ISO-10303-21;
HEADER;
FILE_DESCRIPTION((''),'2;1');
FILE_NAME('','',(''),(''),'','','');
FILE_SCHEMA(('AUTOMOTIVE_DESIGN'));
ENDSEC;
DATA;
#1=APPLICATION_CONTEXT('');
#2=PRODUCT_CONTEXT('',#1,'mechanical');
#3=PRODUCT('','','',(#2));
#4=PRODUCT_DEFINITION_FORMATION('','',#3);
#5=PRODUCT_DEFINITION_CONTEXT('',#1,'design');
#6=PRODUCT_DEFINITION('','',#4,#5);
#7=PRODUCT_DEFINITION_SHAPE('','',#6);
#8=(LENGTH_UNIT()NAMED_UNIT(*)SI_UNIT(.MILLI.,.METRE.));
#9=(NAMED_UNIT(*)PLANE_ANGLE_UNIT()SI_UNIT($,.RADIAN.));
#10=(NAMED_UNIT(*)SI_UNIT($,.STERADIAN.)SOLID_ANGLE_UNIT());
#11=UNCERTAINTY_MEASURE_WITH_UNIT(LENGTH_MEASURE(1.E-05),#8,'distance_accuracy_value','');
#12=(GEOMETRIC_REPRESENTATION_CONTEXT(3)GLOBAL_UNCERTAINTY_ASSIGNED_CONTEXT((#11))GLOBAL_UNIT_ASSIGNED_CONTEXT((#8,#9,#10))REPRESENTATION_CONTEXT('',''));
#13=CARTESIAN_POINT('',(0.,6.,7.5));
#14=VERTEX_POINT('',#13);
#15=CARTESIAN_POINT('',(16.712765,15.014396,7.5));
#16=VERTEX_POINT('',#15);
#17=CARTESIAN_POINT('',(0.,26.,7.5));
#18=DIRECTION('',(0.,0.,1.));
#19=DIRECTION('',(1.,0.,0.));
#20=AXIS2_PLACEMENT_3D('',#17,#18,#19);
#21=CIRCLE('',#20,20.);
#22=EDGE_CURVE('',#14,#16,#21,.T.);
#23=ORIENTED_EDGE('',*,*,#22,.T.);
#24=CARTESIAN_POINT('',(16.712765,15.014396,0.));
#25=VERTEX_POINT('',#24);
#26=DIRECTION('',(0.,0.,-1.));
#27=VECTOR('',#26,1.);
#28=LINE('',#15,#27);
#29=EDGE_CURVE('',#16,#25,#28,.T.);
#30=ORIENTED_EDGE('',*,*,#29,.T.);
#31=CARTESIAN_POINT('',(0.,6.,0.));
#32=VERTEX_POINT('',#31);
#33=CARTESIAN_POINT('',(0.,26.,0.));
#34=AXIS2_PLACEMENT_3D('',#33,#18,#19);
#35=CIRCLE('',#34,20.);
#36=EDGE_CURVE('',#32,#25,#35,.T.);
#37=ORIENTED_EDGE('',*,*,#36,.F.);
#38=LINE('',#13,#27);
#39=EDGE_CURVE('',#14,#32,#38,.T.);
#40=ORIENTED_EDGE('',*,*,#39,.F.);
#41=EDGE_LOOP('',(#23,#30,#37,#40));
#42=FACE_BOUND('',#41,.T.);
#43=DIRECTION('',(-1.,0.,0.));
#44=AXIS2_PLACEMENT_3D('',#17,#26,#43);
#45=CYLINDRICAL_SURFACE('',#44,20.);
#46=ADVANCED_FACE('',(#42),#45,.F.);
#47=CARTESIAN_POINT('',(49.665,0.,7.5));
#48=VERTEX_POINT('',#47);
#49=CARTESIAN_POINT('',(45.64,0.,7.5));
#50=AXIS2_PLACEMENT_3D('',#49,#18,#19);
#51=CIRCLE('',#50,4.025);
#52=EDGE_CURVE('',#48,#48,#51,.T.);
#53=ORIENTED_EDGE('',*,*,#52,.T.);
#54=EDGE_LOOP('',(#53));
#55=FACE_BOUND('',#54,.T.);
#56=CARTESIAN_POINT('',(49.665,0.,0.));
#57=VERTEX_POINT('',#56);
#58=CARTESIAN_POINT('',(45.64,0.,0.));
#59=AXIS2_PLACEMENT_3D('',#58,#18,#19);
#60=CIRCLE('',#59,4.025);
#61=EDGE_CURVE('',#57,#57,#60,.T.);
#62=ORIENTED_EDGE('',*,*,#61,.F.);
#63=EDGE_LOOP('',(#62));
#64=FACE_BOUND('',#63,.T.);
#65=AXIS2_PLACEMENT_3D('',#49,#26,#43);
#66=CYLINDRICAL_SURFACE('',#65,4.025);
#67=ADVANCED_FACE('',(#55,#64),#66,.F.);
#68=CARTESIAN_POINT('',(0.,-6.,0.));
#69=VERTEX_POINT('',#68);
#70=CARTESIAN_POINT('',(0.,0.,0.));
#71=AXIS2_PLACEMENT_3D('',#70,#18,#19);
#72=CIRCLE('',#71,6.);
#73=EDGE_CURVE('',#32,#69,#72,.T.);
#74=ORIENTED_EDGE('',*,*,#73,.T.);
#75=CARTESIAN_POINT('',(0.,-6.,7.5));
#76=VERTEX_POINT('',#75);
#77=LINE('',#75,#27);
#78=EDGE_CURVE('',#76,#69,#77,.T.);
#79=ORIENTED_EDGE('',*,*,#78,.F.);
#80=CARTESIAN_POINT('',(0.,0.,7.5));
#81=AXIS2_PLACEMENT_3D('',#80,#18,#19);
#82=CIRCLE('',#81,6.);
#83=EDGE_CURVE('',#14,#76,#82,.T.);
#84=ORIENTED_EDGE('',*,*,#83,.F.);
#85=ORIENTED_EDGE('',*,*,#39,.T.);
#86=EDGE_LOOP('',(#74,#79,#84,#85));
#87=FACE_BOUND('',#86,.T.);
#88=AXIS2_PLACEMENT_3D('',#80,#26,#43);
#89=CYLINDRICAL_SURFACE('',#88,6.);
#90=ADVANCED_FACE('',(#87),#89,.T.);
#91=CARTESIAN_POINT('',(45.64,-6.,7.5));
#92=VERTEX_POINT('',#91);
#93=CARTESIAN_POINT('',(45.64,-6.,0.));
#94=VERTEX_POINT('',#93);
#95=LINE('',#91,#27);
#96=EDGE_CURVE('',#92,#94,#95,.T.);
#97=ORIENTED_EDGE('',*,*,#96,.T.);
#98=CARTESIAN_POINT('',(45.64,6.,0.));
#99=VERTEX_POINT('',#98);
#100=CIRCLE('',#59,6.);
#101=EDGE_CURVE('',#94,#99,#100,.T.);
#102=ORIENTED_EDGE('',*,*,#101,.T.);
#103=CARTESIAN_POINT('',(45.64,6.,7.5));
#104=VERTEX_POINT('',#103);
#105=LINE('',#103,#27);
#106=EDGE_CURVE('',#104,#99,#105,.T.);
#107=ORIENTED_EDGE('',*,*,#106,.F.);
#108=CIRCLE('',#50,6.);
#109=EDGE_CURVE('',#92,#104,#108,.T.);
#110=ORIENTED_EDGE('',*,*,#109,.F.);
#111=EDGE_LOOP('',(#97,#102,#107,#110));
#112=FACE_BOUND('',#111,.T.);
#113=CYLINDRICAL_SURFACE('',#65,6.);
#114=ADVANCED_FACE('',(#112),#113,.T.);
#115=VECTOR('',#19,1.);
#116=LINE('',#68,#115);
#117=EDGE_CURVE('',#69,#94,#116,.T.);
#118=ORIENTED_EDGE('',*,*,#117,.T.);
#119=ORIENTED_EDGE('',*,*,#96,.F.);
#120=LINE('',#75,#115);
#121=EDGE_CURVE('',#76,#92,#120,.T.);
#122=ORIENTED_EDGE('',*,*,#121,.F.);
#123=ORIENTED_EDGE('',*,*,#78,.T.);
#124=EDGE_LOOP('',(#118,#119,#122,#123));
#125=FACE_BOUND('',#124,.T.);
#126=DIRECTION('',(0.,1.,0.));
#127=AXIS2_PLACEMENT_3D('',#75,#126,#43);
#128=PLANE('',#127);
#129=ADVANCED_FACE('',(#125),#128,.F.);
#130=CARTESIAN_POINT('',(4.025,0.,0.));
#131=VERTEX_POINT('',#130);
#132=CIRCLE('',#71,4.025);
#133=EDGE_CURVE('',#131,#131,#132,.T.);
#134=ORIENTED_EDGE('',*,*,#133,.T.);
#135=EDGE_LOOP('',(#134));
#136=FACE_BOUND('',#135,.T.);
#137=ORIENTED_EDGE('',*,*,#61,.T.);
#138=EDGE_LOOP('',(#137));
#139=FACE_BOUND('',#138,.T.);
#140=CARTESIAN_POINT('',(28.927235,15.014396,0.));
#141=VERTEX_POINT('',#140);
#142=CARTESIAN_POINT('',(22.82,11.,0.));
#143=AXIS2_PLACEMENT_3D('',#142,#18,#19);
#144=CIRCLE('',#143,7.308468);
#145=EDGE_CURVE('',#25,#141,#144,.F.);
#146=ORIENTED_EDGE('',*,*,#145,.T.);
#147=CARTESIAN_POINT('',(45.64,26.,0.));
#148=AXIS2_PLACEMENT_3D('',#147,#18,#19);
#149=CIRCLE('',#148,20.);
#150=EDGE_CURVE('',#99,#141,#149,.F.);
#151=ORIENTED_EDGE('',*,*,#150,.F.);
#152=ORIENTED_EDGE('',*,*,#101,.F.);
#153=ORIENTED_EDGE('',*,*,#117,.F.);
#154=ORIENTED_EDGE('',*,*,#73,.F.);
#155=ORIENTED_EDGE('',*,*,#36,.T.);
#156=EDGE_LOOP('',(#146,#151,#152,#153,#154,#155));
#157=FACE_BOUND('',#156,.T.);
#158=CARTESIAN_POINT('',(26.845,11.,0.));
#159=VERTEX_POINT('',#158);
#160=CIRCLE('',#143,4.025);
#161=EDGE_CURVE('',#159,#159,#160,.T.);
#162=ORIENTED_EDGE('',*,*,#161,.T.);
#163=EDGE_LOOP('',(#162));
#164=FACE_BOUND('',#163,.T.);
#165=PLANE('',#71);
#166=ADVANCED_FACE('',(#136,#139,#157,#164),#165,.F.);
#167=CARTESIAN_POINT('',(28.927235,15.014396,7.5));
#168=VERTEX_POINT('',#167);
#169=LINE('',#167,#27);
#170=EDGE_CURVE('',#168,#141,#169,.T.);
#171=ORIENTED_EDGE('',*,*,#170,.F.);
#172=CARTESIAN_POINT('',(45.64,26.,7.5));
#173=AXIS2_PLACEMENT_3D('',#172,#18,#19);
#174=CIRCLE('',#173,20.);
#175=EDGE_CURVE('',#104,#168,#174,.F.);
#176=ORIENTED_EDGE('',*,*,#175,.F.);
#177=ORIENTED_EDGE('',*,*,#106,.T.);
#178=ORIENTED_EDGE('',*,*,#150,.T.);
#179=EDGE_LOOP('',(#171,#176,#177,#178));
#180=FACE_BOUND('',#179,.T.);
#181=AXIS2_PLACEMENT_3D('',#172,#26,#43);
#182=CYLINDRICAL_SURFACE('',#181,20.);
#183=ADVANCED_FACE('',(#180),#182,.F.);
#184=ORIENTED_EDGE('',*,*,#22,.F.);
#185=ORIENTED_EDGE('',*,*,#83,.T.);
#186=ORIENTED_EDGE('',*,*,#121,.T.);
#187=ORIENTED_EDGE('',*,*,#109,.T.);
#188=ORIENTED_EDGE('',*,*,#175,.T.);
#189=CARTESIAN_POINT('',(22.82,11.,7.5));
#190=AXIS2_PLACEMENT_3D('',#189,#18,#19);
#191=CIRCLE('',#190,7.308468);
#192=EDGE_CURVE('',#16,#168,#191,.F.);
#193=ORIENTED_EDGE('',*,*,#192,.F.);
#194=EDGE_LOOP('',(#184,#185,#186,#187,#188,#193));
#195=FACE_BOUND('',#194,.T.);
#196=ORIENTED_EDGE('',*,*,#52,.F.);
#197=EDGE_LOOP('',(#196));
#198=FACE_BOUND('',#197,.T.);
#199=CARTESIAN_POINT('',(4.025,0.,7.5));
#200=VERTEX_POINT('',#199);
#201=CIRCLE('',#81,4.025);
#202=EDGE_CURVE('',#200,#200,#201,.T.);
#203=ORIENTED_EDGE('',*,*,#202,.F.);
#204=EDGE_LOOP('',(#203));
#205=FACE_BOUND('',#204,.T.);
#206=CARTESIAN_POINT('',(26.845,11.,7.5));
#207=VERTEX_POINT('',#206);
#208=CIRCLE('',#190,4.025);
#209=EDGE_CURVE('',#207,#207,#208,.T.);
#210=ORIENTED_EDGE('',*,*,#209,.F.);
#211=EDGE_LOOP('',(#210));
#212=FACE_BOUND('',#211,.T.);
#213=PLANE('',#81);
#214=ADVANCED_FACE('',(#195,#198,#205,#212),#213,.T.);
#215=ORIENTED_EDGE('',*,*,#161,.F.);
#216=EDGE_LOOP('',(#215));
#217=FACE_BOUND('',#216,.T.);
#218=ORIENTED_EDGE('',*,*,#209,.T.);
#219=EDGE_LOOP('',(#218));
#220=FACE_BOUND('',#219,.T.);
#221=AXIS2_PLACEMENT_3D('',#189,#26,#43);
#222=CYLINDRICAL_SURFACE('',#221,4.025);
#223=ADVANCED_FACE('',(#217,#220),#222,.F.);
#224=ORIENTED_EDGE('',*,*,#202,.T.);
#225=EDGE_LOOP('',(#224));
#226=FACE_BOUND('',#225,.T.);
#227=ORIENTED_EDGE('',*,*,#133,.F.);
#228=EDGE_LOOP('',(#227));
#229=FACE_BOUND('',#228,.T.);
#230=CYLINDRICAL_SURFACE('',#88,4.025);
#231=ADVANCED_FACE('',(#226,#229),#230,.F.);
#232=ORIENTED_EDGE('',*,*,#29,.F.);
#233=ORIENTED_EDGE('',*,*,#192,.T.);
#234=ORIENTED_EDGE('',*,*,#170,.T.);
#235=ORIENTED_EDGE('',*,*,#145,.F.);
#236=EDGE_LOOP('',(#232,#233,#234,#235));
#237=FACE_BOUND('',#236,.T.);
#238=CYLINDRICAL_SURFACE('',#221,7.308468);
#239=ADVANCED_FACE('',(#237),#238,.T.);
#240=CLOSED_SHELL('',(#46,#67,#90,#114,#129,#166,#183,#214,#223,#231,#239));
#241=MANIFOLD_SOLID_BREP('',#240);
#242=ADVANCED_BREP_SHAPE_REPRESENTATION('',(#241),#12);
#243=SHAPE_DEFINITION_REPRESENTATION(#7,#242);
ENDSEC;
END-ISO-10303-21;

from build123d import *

# Parameters (mm, degrees)
SKETCH1_R           = 4.025
BOSS_EXTRUDE1_DEPTH = 7.5


with BuildPart() as part:
    # Sketch1 → Boss-Extrude1 (new body)
    with BuildSketch(Plane.XY):
        with BuildLine():
            Line((0, -6), (45.64, -6))
            ThreePointArc((45.64, -6), (51.64, 0), (45.64, 6))
            ThreePointArc((45.64, 6), (36.145582493, 8.39727191), (28.927235025, 15.01439638))
            ThreePointArc((28.927235025, 15.01439638), (22.82, 18.308467551), (16.712764975, 15.01439638))
            ThreePointArc((16.712764975, 15.01439638), (9.494417507, 8.39727191), (0, 6))
            ThreePointArc((0, 6), (-6, 0), (0, -6))
        make_face()
        Circle(SKETCH1_R, mode=Mode.SUBTRACT)
        with Locations((45.64, 0)):
            Circle(SKETCH1_R, mode=Mode.SUBTRACT)
        with Locations((22.82, 11)):
            Circle(SKETCH1_R, mode=Mode.SUBTRACT)
    extrude(amount=BOSS_EXTRUDE1_DEPTH)


solid = part.part
